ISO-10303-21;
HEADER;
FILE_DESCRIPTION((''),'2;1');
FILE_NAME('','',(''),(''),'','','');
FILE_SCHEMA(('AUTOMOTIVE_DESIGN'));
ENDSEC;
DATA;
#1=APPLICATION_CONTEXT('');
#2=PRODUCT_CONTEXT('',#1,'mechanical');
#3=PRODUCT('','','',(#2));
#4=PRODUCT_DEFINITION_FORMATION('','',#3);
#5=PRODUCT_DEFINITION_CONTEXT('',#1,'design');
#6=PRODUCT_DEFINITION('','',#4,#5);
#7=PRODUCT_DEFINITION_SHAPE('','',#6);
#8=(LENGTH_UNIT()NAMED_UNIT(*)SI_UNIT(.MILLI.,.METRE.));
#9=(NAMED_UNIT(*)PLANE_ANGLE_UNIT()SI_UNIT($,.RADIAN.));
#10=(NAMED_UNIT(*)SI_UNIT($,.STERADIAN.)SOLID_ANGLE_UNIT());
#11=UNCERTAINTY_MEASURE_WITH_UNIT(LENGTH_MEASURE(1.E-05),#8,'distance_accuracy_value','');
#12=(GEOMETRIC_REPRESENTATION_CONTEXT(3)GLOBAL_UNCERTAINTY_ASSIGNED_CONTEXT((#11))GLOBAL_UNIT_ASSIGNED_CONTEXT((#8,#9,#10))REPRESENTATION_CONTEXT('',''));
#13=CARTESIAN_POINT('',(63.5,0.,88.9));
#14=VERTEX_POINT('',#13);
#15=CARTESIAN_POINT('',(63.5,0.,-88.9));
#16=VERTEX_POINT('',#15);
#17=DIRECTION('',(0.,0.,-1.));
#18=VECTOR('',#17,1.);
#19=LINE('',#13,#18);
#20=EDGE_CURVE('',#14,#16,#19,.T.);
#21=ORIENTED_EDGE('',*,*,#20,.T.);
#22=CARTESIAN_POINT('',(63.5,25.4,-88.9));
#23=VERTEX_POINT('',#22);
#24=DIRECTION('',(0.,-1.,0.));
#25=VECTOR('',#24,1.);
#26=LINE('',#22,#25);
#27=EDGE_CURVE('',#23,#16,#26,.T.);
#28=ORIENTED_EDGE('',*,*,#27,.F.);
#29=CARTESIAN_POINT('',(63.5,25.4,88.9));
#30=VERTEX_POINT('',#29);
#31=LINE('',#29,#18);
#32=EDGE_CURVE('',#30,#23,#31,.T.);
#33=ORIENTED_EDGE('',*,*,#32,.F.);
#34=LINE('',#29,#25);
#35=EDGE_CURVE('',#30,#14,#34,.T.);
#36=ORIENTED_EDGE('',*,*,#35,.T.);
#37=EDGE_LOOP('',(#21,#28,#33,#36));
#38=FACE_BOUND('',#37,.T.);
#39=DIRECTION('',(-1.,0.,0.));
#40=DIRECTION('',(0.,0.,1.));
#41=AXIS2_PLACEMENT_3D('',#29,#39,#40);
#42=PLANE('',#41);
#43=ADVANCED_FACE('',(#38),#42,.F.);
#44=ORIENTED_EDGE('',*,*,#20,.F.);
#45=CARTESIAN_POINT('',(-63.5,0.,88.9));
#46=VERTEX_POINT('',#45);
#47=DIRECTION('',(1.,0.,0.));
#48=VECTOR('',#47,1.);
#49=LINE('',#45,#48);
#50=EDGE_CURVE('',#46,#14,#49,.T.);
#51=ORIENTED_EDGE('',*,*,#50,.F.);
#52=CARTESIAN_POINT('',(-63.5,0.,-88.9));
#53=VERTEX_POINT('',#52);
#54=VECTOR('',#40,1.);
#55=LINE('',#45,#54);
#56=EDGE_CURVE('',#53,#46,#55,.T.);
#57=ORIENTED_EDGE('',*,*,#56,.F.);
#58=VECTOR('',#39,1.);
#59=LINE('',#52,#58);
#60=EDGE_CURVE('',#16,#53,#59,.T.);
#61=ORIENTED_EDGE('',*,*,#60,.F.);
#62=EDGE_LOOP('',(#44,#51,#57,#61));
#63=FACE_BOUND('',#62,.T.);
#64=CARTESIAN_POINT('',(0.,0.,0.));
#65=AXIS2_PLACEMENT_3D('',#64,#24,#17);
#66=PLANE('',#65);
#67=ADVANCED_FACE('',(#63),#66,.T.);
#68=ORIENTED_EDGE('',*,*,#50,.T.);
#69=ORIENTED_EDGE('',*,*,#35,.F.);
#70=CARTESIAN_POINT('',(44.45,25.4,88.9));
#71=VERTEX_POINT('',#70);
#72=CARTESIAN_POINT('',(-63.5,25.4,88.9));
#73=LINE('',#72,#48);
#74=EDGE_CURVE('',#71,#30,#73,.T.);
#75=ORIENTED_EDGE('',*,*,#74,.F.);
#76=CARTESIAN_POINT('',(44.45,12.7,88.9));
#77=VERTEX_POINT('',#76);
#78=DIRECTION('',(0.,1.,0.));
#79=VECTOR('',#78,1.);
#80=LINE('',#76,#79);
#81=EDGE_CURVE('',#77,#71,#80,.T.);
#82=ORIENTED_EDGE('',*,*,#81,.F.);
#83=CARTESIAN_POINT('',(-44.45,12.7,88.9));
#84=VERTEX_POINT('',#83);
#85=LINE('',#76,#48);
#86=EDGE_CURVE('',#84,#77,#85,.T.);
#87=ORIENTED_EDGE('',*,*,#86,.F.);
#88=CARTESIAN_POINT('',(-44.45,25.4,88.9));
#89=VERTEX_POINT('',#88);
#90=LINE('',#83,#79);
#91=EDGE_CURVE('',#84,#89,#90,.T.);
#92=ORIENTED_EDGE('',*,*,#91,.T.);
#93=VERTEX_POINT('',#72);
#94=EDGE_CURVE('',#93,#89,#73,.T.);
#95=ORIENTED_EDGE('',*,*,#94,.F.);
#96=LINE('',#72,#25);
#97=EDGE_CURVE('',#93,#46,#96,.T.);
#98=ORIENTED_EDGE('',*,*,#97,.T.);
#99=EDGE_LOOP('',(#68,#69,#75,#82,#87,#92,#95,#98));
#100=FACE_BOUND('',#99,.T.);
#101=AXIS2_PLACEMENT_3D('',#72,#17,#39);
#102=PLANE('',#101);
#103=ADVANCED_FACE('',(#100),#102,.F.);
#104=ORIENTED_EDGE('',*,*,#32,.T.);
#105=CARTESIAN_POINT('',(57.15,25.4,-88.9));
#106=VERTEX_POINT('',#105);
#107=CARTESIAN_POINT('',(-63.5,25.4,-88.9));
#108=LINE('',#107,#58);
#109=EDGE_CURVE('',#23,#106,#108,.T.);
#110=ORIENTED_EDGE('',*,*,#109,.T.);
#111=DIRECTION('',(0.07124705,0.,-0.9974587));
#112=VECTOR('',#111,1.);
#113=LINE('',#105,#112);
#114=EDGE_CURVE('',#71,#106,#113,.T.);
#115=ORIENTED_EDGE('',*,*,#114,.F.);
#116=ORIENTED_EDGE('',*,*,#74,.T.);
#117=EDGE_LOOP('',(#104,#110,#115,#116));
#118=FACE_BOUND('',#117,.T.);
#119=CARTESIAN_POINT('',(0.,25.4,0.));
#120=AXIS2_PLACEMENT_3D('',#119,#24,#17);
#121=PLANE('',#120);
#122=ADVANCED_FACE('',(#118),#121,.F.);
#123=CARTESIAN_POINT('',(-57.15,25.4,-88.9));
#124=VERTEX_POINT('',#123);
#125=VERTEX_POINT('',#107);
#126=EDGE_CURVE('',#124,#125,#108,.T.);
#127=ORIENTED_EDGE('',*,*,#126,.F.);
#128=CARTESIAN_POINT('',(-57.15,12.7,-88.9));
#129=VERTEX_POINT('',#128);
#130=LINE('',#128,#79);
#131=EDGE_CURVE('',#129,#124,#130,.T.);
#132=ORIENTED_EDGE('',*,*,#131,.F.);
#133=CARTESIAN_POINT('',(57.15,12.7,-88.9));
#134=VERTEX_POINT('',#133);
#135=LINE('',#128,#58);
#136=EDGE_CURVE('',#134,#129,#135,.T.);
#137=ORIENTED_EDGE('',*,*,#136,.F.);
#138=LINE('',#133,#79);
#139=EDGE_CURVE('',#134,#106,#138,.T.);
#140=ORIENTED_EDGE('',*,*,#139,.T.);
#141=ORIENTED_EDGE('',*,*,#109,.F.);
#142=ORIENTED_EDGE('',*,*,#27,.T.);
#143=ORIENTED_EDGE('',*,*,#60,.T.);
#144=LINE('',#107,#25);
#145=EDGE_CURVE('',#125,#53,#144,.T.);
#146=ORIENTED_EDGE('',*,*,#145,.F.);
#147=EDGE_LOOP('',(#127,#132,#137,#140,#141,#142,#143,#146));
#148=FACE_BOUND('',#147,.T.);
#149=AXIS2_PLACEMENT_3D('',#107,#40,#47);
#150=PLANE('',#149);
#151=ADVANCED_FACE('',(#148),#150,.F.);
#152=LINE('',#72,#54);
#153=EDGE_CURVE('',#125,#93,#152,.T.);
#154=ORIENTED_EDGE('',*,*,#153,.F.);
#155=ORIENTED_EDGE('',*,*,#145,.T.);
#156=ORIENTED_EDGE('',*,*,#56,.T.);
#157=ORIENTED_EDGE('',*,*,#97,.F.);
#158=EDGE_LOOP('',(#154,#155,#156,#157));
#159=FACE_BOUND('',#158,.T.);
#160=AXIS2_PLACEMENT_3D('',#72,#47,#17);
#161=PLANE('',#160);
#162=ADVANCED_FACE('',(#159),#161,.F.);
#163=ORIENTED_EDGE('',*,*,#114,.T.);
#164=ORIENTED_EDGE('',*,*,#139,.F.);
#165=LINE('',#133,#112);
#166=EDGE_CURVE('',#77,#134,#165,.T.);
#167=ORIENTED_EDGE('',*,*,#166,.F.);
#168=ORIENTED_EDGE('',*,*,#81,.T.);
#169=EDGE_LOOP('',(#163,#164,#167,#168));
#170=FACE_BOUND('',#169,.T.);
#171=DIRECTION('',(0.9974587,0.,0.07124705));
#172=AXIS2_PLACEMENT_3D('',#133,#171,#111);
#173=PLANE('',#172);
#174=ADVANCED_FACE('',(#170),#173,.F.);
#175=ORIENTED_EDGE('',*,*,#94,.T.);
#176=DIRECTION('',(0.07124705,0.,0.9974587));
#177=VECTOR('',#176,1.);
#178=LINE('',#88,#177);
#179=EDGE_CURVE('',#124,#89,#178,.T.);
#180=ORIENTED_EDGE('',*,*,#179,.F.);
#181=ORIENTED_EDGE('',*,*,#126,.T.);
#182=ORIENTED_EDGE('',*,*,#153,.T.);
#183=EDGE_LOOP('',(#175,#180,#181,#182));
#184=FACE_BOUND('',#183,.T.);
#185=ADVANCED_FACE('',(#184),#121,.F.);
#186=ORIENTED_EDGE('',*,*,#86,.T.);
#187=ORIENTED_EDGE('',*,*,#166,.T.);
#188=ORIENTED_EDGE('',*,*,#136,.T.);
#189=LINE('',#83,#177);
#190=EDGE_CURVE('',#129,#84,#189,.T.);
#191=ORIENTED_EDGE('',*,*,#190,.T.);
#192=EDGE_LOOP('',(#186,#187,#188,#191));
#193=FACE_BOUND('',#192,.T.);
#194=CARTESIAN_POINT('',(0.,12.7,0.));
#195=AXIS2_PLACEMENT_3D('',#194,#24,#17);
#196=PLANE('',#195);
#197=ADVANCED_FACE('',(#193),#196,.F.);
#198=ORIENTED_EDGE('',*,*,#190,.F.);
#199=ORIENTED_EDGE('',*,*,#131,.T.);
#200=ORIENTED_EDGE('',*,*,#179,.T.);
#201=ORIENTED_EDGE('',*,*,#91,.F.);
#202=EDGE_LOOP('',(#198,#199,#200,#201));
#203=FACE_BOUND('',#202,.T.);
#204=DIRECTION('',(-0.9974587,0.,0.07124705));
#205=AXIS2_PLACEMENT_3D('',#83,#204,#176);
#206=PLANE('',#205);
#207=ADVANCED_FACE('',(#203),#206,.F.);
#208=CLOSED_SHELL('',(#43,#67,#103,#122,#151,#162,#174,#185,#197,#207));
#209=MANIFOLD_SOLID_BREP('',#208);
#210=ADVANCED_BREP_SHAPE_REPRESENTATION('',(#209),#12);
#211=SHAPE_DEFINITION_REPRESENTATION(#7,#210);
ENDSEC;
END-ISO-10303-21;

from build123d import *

# Parameters (mm, degrees)
SKETCH1_W           = 127
SKETCH1_H           = 177.8
BOSS_EXTRUDE1_DEPTH = 25.4
CUT_EXTRUDE2_DEPTH  = 12.7


with BuildPart() as part:
    # Sketch1 → Boss-Extrude1 (new body)
    with BuildSketch(Plane(origin=(0, 0, 0), x_dir=(1, 0, 0), z_dir=(0, 1, 0))):
        Rectangle(SKETCH1_W, SKETCH1_H)
    extrude(amount=BOSS_EXTRUDE1_DEPTH)

    # Sketch2 → Cut-Extrude2 (cut)
    with BuildSketch(Plane(origin=(0, 25.4, 0), x_dir=(1, 0, 0), z_dir=(0, 1, 0))):
        Polygon((-57.15, 88.9), (57.15, 88.9), (44.45, -88.9), (-44.45, -88.9), align=None)
    extrude(amount=-CUT_EXTRUDE2_DEPTH, mode=Mode.SUBTRACT)


solid = part.part
